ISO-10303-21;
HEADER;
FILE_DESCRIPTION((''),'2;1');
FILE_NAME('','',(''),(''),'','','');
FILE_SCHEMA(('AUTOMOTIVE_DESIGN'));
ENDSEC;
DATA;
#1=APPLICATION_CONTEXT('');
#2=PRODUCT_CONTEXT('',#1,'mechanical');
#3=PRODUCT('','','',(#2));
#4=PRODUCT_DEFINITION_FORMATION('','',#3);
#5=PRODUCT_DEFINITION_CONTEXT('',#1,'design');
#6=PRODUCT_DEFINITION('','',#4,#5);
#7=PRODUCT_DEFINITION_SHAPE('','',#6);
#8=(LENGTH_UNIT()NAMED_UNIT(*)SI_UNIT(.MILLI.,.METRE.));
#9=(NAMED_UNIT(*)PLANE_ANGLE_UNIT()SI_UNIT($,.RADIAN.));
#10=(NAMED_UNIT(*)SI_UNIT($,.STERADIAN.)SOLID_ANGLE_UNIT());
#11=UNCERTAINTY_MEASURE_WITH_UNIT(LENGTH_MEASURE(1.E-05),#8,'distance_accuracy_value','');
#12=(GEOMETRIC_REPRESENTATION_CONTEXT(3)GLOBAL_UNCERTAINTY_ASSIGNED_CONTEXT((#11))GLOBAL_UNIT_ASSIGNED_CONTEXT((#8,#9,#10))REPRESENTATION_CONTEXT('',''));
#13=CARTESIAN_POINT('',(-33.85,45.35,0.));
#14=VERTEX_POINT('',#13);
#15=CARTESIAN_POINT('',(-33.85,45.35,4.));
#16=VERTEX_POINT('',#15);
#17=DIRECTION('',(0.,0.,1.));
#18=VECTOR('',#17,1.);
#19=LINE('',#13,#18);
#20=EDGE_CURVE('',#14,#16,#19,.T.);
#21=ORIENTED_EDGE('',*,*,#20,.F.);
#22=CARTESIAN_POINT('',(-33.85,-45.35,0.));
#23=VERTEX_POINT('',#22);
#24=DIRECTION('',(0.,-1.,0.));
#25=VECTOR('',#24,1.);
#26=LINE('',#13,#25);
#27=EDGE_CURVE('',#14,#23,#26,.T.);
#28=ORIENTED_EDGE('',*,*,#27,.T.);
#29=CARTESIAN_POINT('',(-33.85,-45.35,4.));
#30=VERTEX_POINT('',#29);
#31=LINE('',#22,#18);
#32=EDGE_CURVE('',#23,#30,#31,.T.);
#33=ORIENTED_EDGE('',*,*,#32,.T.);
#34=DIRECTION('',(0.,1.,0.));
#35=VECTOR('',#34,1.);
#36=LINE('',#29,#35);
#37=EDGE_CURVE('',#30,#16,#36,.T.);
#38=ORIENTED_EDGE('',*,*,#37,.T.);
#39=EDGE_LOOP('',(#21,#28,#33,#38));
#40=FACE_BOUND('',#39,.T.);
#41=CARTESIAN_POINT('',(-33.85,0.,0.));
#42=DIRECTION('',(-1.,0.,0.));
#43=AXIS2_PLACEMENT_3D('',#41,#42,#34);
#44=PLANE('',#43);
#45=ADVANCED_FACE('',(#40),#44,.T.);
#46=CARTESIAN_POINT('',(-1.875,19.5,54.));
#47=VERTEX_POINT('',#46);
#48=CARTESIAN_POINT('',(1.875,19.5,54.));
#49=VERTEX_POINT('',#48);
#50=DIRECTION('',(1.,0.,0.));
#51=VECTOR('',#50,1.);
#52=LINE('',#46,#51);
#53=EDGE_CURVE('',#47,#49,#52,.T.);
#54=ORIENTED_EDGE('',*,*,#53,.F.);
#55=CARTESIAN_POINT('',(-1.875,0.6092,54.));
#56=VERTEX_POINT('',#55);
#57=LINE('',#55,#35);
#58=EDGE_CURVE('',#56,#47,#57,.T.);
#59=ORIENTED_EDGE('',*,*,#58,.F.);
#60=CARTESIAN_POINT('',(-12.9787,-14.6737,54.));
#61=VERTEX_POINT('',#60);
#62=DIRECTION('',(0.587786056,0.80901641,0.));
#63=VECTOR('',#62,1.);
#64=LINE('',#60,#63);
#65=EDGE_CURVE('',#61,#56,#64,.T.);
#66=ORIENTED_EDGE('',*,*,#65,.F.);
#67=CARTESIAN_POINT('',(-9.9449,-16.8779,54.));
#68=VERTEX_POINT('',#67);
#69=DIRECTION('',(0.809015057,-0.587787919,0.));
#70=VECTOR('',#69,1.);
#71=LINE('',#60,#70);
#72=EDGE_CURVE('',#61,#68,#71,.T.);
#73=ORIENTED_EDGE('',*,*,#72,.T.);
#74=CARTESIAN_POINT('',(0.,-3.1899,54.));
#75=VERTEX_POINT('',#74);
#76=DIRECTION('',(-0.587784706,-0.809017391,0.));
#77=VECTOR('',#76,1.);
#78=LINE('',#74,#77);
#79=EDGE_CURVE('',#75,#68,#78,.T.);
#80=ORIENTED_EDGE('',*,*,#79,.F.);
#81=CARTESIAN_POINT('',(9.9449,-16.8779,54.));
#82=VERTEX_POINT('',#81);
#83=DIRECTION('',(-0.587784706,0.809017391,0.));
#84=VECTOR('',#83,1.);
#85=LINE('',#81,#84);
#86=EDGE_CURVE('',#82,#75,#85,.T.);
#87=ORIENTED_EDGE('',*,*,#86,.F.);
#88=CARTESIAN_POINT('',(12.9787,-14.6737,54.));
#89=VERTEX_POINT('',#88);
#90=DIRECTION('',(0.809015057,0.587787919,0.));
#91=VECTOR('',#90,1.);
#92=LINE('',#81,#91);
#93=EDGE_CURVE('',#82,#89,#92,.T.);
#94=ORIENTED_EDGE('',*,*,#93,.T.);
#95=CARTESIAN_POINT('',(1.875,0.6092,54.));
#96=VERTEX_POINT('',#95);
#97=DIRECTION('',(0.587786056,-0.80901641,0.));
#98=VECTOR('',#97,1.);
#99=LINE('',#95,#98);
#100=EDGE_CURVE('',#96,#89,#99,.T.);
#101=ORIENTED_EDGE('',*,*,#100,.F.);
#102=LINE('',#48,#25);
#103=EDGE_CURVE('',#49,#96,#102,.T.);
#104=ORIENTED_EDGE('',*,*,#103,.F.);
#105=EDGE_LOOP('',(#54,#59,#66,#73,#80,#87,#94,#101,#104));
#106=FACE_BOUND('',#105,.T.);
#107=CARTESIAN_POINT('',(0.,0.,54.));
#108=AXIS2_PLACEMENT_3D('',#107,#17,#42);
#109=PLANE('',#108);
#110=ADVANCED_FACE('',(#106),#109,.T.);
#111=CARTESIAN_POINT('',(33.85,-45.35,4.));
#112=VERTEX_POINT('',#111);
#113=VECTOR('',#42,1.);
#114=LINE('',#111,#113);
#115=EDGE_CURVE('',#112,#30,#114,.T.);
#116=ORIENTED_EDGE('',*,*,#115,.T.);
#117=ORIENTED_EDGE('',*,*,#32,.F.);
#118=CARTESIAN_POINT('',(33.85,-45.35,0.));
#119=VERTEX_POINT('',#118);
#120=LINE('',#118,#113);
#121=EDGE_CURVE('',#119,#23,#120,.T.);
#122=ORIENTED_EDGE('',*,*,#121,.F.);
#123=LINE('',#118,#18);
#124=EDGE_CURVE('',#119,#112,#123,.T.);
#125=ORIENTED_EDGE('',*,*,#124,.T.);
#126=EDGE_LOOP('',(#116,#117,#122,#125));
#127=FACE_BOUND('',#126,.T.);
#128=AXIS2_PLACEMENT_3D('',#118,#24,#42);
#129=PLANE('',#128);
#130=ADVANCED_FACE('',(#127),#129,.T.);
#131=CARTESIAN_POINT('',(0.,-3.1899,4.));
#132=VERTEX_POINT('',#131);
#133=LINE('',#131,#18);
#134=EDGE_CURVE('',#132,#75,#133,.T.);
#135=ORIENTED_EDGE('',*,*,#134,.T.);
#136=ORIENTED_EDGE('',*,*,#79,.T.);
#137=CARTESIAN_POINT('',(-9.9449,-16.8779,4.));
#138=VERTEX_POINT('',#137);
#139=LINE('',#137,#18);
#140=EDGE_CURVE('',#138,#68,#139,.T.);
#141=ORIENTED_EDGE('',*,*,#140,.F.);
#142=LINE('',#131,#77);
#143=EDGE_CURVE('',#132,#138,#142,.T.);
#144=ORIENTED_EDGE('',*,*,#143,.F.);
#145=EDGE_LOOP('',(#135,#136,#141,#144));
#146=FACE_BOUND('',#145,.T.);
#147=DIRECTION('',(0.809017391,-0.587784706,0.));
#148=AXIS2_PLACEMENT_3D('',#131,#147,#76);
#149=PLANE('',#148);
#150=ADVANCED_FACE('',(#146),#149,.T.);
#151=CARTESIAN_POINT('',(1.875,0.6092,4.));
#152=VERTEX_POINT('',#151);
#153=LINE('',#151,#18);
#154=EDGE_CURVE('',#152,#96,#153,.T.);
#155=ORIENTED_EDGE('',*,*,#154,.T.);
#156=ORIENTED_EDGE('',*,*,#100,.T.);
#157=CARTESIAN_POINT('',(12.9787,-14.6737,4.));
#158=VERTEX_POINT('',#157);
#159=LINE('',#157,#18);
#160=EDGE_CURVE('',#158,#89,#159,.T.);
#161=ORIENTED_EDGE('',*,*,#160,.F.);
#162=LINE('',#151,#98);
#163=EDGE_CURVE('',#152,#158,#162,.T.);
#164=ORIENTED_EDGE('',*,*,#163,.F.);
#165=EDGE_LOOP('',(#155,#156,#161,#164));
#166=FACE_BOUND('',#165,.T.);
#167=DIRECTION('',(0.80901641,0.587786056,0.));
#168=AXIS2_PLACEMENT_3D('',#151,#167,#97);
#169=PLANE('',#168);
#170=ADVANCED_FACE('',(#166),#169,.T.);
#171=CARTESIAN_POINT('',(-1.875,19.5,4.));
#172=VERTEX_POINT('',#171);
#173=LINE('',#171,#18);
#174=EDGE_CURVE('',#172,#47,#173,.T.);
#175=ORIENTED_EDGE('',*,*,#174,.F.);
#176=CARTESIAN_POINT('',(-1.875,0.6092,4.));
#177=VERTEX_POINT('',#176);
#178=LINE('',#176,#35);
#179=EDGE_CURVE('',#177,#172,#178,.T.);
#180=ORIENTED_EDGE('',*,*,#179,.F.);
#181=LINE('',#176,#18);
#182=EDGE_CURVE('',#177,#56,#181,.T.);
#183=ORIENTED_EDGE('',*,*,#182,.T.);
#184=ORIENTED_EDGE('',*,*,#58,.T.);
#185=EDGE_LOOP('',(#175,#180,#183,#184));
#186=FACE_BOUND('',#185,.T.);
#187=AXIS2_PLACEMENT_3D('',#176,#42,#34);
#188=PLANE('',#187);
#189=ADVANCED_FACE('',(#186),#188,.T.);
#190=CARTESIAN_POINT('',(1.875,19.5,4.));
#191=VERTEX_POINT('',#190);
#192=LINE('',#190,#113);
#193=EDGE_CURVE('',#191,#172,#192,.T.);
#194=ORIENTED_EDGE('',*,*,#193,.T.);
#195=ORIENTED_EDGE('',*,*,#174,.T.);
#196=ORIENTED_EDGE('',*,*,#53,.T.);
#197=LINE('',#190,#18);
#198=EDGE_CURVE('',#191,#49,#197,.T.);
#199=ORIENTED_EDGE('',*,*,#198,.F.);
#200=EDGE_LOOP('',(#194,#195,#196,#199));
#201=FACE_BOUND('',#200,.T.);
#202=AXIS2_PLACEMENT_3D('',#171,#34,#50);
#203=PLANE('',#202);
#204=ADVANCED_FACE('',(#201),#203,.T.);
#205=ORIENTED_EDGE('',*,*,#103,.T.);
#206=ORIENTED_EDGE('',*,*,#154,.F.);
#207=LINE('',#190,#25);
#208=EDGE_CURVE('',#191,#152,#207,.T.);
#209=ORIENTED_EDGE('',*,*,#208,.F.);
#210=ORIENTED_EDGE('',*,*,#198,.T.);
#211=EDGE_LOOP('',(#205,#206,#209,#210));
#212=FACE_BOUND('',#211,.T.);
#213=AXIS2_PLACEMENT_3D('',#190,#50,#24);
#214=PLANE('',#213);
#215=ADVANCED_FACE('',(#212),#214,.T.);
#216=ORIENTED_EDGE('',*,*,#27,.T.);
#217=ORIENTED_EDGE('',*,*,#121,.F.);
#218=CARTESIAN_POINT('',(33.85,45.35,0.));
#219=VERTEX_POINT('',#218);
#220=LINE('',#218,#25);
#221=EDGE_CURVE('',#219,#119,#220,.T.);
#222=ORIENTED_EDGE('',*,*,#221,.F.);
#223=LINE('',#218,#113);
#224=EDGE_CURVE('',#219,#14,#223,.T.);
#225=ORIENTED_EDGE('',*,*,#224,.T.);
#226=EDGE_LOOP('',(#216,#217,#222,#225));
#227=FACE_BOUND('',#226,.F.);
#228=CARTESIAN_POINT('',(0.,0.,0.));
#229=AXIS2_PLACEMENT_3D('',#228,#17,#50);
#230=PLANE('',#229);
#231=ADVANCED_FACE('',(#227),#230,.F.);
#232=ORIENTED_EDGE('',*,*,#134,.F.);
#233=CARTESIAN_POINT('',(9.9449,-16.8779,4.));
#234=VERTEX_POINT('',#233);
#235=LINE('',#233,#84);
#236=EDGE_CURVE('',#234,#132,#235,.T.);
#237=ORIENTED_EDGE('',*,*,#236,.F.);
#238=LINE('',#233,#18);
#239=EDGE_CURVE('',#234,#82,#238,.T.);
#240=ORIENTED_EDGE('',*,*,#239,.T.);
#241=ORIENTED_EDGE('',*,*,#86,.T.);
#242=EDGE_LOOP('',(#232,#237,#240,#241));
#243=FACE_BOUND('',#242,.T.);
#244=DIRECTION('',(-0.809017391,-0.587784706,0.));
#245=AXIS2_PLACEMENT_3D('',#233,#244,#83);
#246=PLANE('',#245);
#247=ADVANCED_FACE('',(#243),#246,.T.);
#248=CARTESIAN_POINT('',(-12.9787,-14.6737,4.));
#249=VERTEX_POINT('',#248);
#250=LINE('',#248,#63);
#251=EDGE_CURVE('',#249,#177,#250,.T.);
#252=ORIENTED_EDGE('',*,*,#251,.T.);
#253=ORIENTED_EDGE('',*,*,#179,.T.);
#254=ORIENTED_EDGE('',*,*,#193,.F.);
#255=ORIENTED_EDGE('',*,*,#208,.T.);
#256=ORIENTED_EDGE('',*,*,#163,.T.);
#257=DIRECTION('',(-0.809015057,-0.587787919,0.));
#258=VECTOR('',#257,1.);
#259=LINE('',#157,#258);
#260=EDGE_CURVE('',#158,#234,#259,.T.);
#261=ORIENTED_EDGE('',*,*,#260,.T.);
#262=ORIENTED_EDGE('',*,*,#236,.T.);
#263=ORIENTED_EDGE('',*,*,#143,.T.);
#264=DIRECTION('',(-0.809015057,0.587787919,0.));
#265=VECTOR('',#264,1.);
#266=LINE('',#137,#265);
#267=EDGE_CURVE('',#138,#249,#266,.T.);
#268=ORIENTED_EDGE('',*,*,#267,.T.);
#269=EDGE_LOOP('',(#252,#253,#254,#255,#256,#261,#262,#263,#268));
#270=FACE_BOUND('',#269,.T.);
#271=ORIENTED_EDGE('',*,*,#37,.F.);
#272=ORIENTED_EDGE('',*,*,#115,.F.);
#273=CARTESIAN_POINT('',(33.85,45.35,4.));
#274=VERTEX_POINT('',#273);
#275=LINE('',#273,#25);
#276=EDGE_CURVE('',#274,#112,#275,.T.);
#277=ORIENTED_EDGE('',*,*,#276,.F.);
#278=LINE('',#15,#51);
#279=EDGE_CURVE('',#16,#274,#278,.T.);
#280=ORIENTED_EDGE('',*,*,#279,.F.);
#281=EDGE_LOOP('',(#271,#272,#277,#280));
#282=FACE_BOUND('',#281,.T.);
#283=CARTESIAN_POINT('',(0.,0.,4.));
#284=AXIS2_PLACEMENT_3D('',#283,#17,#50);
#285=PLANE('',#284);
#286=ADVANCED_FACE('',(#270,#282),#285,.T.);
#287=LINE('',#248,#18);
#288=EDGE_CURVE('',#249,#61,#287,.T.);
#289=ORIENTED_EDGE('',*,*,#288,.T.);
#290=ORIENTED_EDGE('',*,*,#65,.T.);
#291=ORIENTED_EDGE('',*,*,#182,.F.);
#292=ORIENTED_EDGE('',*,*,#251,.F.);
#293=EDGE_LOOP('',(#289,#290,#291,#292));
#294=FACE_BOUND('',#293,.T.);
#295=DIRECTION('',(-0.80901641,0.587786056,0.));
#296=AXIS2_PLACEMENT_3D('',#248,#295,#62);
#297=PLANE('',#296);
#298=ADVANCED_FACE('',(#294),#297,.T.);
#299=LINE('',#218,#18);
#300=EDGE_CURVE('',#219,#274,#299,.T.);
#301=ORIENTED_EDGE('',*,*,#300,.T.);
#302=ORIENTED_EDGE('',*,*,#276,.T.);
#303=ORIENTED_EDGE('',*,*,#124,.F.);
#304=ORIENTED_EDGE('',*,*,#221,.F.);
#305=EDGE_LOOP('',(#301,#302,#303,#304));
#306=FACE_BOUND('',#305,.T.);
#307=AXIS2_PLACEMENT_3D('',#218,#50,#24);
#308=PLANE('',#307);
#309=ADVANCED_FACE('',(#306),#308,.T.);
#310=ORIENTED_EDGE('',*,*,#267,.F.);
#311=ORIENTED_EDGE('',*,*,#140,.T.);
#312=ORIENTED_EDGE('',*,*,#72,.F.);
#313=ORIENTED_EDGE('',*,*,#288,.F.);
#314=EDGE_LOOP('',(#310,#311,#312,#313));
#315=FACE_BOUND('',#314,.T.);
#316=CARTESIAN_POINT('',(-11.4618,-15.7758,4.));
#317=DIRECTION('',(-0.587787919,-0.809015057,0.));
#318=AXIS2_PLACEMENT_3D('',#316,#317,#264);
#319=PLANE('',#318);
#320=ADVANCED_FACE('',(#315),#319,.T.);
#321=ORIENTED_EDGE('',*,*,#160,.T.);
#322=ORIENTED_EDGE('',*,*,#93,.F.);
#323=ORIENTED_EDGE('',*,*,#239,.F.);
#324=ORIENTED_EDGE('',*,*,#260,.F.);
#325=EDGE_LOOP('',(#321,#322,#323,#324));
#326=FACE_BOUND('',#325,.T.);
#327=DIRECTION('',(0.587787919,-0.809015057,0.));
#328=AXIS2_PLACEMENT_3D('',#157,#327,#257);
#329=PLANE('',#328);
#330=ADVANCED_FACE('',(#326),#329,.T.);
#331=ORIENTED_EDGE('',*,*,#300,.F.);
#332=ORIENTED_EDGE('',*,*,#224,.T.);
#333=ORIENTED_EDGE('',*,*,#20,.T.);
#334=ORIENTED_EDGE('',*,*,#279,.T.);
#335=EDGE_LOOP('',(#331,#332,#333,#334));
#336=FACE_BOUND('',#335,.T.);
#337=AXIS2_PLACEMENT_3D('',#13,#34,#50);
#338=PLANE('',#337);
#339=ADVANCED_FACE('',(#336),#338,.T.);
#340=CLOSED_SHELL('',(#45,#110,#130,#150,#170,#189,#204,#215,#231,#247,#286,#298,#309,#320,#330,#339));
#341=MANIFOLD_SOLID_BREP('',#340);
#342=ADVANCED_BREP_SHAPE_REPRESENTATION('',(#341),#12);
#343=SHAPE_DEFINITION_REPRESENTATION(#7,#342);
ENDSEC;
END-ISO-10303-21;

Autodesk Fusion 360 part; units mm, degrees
sketch "Sketch1" plane through (0, 0, 0) normal (0, 0, 1) x (1, 0, 0)
  line L0 (-33.85, 45.35) -> (33.85, 45.35)
  line L1 (33.85, 45.35) -> (33.85, -45.35)
  line L2 (33.85, -45.35) -> (-33.85, -45.35)
  line L3 (-33.85, -45.35) -> (-33.85, 45.35)
  line L4 (0, 0) -> (-33.85, 0)
  line L5 (0, 0) -> (0, 45.35)
  dimension "d13" = 90.7
  dimension "d14" = 67.7
extrude "Extrude1" add sketch "Sketch1" along normal blind 4
sketch "Sketch3" plane through (0, 0, 4) normal (0, 0, 1) x (-1, 0, 0)
  line L0 (1.875, -19.5) -> (-1.875, -19.5)
  line L1 (-1.875, -19.5) -> (-1.875, -0.6092)
  line L2 (-1.875, -0.6092) -> (-12.9787, 14.6737)
  line L3 (-12.9787, 14.6737) -> (-9.9449, 16.8779)
  line L4 (-9.9449, 16.8779) -> (0, 3.1899)
  line L5 (0, 3.1899) -> (9.9449, 16.8779)
  line L6 (9.9449, 16.8779) -> (12.9787, 14.6737)
  line L7 (12.9787, 14.6737) -> (1.875, -0.6092)
  line L8 (1.875, -0.6092) -> (1.875, -19.5)
  line L9 (0, -19.5) -> (0, 0)
  line L10 (0, 0) -> (-11.4618, 15.7758)
  line L11 (11.4618, 15.7758) -> (0, 0)
  line L12 (33.85, 45.35) -> (-33.85, 45.35)
  line L13 (-33.85, 45.35) -> (-33.85, -45.35)
  line L14 (-33.85, -45.35) -> (33.85, -45.35)
  line L15 (33.85, -45.35) -> (33.85, 45.35)
  dimension "d7" = 144
  dimension "d8" = 144
  dimension "d9" = 3.75
  dimension "d10" = 19.5
extrude "Extrude3" add sketch "Sketch3" along normal blind 50 contours L0 L6 L7 L8 L9 L11 | L0 L1 L2 L3 L9 L10 | L3 L4 L5 L6 L10 L11
